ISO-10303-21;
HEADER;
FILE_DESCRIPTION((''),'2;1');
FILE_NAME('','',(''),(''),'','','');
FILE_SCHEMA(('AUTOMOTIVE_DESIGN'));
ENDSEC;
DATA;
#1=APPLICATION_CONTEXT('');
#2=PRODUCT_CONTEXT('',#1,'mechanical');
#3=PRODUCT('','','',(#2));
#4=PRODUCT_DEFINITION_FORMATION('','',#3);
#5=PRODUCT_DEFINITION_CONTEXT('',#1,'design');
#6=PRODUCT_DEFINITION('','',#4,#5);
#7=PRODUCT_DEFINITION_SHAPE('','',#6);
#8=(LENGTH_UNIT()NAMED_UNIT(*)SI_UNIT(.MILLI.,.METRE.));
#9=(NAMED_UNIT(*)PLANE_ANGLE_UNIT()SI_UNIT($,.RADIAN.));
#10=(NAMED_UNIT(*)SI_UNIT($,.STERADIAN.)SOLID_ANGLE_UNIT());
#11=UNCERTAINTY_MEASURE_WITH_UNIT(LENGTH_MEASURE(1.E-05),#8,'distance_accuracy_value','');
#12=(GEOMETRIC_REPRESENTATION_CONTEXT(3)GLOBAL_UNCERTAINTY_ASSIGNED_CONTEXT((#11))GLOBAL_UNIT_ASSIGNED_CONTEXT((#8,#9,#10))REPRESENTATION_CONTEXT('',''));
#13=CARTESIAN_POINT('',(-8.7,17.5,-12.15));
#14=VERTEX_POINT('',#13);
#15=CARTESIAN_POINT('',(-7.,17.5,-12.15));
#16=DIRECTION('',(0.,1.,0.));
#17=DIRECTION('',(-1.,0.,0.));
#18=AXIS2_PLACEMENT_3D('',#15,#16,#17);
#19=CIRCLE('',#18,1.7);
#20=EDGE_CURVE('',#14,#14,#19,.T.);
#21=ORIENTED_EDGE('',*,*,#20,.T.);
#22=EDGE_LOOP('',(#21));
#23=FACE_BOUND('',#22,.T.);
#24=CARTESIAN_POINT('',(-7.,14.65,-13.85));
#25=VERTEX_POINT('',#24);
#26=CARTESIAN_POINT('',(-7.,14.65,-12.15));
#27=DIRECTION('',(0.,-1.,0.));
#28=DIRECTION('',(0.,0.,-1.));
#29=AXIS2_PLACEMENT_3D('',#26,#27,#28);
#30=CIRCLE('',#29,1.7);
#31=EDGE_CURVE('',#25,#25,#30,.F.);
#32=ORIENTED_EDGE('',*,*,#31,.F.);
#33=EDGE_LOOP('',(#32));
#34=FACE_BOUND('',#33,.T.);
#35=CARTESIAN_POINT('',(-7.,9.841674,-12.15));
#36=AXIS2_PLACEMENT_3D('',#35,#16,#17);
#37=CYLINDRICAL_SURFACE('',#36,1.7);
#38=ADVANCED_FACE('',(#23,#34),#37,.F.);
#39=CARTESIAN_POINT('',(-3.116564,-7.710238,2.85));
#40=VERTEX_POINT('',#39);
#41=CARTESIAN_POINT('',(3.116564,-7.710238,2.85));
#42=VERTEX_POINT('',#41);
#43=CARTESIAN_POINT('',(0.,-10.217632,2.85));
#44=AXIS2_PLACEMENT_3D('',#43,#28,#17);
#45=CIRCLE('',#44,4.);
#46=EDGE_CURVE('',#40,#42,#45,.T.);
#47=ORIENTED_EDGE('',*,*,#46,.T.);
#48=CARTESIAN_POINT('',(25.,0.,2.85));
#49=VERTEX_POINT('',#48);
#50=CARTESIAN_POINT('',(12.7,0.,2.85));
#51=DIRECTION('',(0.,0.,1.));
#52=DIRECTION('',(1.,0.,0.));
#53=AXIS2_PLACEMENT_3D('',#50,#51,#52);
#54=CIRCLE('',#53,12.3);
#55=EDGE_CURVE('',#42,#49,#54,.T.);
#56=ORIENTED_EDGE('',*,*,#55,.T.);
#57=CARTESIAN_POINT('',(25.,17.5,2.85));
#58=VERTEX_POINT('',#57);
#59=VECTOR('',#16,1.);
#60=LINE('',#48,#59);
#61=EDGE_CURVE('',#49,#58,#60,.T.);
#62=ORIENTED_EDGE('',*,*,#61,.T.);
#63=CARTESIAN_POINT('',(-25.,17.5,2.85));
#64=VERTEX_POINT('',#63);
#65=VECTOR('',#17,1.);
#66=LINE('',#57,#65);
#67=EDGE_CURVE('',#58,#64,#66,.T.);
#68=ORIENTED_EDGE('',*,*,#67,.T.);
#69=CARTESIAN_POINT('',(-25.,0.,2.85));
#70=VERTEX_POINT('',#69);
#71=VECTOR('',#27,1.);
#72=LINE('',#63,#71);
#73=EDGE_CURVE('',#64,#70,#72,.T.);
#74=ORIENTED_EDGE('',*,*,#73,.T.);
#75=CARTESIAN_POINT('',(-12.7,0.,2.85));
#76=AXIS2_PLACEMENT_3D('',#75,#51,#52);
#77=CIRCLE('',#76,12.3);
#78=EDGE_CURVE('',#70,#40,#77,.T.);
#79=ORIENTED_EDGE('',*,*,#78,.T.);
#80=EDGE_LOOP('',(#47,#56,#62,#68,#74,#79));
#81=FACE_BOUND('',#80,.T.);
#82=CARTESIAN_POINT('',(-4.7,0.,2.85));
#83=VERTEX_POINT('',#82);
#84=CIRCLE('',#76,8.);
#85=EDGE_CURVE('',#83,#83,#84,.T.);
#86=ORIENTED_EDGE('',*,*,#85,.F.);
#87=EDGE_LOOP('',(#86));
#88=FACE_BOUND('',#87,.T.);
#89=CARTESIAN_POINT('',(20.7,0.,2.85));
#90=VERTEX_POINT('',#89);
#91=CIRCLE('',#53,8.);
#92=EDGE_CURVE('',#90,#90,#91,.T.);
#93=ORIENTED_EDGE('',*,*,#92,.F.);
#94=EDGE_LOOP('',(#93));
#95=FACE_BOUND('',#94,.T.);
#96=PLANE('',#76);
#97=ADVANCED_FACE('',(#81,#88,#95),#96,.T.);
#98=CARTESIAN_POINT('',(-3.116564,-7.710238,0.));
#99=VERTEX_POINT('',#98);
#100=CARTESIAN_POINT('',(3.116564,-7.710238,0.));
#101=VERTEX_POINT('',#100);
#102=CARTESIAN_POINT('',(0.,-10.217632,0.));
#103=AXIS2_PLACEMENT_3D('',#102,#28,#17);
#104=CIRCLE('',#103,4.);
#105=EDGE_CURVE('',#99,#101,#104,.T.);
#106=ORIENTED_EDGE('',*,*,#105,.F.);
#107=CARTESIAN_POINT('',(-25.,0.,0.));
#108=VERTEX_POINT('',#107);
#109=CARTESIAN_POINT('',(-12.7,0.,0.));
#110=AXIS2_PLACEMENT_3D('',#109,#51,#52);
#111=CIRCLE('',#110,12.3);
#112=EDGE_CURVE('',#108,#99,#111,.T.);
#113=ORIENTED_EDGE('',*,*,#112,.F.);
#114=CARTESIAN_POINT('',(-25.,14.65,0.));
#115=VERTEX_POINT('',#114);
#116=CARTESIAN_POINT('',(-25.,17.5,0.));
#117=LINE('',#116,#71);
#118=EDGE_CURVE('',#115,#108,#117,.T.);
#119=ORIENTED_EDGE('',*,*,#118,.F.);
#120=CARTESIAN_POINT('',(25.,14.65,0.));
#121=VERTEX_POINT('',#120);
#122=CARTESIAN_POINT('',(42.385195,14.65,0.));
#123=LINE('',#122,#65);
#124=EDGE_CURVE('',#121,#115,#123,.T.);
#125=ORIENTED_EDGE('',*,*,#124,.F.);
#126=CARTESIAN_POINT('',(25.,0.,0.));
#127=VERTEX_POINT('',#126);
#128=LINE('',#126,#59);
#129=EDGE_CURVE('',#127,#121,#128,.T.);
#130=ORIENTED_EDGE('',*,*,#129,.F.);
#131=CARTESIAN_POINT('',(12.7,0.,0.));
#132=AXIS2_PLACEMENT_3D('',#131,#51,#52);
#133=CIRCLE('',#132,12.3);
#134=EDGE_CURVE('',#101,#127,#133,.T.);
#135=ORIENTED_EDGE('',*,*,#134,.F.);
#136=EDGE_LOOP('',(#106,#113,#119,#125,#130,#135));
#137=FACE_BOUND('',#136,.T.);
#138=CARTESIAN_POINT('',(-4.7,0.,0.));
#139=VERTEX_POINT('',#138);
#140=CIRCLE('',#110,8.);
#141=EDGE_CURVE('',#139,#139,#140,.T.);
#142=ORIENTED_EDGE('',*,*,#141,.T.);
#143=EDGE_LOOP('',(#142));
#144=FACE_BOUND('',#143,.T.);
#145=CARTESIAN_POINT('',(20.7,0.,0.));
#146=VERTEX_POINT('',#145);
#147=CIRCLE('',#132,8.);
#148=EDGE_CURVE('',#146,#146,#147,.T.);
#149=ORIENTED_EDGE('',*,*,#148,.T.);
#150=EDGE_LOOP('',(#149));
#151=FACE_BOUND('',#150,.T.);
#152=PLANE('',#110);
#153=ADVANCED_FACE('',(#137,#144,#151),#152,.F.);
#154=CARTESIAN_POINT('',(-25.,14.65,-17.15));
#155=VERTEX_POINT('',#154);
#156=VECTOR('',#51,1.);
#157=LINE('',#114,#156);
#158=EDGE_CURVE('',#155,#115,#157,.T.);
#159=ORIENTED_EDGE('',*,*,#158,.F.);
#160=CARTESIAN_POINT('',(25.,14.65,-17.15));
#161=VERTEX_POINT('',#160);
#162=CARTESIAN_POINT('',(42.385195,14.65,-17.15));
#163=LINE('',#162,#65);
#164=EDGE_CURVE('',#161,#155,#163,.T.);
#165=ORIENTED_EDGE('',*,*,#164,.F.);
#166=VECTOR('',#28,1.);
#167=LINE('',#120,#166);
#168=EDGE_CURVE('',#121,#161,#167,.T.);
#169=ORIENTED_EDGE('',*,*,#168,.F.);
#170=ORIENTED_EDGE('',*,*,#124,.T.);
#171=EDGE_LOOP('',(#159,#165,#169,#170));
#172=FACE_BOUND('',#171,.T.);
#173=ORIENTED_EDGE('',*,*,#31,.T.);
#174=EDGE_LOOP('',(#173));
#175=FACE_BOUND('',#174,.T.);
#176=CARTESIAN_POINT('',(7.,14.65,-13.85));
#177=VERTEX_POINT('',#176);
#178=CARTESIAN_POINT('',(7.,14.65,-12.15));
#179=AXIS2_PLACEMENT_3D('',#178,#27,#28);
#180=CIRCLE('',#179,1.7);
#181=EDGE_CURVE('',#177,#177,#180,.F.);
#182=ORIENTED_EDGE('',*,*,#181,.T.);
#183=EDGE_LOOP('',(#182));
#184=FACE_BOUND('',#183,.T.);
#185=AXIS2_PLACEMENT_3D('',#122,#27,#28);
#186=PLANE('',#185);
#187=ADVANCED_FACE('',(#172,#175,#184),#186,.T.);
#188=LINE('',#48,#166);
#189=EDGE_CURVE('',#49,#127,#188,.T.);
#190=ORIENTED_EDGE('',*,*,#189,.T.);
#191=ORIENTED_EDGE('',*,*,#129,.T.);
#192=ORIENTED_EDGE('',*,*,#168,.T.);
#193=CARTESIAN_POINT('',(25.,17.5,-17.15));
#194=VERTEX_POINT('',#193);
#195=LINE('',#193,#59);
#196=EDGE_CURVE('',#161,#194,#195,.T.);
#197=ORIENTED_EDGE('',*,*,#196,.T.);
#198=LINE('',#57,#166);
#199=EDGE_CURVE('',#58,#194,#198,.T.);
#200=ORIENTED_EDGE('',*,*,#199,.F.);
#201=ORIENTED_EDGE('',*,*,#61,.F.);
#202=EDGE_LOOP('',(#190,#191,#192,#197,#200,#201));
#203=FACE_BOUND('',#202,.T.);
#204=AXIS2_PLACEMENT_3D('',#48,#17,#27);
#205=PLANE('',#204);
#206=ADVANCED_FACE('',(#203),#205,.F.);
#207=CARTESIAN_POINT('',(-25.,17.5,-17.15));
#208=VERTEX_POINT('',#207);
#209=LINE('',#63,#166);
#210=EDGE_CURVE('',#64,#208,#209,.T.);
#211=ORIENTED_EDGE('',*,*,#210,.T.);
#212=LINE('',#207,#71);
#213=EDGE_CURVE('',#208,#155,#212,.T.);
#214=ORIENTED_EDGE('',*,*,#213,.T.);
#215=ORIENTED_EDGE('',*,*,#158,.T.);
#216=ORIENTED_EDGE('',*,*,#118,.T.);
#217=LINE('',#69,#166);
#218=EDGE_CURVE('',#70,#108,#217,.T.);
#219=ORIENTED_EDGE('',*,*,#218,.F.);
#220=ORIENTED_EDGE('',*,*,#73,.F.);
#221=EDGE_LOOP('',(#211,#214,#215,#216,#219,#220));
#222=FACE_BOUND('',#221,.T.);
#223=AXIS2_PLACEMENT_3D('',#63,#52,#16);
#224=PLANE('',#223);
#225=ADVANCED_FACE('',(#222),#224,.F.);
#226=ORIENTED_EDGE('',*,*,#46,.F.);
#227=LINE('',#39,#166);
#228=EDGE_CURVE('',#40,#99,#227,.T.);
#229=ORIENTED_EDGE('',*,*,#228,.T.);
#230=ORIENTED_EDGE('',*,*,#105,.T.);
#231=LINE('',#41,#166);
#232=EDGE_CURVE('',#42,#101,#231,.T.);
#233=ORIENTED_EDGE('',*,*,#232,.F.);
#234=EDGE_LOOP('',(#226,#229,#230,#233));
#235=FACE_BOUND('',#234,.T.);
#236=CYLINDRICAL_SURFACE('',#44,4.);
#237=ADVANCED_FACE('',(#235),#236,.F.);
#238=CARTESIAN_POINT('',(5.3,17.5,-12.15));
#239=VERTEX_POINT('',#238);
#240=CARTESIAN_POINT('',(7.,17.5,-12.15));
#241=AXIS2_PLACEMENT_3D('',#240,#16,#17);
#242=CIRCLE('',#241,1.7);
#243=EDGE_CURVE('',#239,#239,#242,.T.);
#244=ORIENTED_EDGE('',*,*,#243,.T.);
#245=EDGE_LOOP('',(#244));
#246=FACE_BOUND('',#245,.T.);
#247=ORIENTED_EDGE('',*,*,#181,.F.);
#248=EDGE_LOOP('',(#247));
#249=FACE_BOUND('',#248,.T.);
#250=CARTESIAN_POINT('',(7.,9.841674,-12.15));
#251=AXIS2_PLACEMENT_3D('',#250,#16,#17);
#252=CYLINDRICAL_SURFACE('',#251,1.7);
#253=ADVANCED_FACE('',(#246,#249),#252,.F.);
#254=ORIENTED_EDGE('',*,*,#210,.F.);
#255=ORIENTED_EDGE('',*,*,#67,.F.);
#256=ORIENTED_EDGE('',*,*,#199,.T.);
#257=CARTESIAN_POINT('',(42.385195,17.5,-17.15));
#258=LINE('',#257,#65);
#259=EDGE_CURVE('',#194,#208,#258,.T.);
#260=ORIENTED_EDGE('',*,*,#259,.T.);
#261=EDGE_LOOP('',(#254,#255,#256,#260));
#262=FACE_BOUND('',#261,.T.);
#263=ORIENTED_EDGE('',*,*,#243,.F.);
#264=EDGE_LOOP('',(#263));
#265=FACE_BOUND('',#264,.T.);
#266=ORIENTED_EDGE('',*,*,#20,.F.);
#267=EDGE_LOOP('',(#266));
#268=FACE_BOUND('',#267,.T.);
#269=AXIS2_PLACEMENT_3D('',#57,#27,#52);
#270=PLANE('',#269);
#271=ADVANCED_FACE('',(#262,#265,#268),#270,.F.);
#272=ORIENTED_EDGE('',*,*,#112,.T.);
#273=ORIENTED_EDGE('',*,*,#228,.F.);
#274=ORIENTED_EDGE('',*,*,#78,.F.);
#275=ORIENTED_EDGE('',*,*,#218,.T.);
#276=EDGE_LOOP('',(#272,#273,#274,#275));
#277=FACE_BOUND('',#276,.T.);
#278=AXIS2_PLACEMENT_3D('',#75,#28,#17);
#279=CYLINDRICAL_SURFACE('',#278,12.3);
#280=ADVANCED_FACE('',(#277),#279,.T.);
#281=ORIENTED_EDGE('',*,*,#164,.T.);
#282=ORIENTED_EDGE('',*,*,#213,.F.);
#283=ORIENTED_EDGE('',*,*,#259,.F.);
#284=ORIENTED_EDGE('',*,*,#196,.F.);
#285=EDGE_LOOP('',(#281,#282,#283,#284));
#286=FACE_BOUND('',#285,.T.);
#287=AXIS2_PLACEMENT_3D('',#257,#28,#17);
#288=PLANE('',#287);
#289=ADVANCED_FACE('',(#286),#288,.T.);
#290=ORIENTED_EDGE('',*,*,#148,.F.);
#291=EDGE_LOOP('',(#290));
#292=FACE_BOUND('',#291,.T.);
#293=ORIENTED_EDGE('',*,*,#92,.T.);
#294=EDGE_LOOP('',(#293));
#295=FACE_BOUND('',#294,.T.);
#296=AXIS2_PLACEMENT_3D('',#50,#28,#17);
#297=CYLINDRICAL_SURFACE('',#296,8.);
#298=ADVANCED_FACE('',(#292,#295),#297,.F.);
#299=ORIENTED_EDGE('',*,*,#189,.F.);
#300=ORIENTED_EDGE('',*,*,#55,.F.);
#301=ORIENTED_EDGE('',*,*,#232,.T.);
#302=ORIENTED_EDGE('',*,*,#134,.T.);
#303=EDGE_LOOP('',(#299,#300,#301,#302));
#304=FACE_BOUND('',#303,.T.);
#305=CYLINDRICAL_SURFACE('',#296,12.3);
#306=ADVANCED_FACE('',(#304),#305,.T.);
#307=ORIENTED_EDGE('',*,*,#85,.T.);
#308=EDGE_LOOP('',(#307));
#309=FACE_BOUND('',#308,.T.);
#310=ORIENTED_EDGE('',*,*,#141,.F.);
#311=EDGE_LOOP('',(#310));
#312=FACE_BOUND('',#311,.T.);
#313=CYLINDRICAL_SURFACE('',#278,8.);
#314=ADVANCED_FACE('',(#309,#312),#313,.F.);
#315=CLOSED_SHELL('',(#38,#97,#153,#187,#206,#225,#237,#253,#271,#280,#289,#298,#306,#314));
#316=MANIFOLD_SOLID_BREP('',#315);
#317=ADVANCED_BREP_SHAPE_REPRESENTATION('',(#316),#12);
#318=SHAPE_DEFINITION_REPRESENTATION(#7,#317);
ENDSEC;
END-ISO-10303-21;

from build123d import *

# Parameters (mm, degrees)
SKETCH2_R           = 8
BOSS_EXTRUDE1_DEPTH = 2.85
SKETCH3_W           = 17.15
SKETCH3_H           = 2.85
BOSS_EXTRUDE2_DEPTH = 50
SKETCH4_R           = 1.7
CUT_EXTRUDE1_DEPTH  = 2.85


with BuildPart() as part:
    # Sketch2 → Boss-Extrude1 (new body)
    with BuildSketch(Plane.XY):
        with BuildLine():
            Line((-25, 17.5), (-25, 0))
            ThreePointArc((-25, 0), (-16.787403964, -11.60099689), (-3.116564417, -7.710237508))
            ThreePointArc((-3.116564417, -7.710237508), (0, -6.21763182), (3.116564417, -7.710237508))
            ThreePointArc((3.116564417, -7.710237508), (16.787403964, -11.60099689), (25, 0))
            Line((25, 0), (25, 17.5))
            Line((25, 17.5), (-25, 17.5))
        make_face()
        with Locations((12.7, 0)):
            Circle(SKETCH2_R, mode=Mode.SUBTRACT)
        with Locations((-12.7, 0)):
            Circle(SKETCH2_R, mode=Mode.SUBTRACT)
    extrude(amount=BOSS_EXTRUDE1_DEPTH)

    # Sketch3 → Boss-Extrude2 (add)
    with BuildSketch(Plane.ZY.offset(25)):
        with Locations((-8.575, 16.075)):
            Rectangle(SKETCH3_W, SKETCH3_H)
    extrude(amount=-BOSS_EXTRUDE2_DEPTH)

    # Sketch4 → Cut-Extrude1 (cut)
    with BuildSketch(Plane(origin=(0, 17.5, 0), x_dir=(1, 0, 0), z_dir=(0, 1, 0))):
        with Locations((-7, 12.15)):
            Circle(SKETCH4_R)
        with Locations((7, 12.15)):
            Circle(SKETCH4_R)
    extrude(amount=-CUT_EXTRUDE1_DEPTH, mode=Mode.SUBTRACT)


solid = part.part
